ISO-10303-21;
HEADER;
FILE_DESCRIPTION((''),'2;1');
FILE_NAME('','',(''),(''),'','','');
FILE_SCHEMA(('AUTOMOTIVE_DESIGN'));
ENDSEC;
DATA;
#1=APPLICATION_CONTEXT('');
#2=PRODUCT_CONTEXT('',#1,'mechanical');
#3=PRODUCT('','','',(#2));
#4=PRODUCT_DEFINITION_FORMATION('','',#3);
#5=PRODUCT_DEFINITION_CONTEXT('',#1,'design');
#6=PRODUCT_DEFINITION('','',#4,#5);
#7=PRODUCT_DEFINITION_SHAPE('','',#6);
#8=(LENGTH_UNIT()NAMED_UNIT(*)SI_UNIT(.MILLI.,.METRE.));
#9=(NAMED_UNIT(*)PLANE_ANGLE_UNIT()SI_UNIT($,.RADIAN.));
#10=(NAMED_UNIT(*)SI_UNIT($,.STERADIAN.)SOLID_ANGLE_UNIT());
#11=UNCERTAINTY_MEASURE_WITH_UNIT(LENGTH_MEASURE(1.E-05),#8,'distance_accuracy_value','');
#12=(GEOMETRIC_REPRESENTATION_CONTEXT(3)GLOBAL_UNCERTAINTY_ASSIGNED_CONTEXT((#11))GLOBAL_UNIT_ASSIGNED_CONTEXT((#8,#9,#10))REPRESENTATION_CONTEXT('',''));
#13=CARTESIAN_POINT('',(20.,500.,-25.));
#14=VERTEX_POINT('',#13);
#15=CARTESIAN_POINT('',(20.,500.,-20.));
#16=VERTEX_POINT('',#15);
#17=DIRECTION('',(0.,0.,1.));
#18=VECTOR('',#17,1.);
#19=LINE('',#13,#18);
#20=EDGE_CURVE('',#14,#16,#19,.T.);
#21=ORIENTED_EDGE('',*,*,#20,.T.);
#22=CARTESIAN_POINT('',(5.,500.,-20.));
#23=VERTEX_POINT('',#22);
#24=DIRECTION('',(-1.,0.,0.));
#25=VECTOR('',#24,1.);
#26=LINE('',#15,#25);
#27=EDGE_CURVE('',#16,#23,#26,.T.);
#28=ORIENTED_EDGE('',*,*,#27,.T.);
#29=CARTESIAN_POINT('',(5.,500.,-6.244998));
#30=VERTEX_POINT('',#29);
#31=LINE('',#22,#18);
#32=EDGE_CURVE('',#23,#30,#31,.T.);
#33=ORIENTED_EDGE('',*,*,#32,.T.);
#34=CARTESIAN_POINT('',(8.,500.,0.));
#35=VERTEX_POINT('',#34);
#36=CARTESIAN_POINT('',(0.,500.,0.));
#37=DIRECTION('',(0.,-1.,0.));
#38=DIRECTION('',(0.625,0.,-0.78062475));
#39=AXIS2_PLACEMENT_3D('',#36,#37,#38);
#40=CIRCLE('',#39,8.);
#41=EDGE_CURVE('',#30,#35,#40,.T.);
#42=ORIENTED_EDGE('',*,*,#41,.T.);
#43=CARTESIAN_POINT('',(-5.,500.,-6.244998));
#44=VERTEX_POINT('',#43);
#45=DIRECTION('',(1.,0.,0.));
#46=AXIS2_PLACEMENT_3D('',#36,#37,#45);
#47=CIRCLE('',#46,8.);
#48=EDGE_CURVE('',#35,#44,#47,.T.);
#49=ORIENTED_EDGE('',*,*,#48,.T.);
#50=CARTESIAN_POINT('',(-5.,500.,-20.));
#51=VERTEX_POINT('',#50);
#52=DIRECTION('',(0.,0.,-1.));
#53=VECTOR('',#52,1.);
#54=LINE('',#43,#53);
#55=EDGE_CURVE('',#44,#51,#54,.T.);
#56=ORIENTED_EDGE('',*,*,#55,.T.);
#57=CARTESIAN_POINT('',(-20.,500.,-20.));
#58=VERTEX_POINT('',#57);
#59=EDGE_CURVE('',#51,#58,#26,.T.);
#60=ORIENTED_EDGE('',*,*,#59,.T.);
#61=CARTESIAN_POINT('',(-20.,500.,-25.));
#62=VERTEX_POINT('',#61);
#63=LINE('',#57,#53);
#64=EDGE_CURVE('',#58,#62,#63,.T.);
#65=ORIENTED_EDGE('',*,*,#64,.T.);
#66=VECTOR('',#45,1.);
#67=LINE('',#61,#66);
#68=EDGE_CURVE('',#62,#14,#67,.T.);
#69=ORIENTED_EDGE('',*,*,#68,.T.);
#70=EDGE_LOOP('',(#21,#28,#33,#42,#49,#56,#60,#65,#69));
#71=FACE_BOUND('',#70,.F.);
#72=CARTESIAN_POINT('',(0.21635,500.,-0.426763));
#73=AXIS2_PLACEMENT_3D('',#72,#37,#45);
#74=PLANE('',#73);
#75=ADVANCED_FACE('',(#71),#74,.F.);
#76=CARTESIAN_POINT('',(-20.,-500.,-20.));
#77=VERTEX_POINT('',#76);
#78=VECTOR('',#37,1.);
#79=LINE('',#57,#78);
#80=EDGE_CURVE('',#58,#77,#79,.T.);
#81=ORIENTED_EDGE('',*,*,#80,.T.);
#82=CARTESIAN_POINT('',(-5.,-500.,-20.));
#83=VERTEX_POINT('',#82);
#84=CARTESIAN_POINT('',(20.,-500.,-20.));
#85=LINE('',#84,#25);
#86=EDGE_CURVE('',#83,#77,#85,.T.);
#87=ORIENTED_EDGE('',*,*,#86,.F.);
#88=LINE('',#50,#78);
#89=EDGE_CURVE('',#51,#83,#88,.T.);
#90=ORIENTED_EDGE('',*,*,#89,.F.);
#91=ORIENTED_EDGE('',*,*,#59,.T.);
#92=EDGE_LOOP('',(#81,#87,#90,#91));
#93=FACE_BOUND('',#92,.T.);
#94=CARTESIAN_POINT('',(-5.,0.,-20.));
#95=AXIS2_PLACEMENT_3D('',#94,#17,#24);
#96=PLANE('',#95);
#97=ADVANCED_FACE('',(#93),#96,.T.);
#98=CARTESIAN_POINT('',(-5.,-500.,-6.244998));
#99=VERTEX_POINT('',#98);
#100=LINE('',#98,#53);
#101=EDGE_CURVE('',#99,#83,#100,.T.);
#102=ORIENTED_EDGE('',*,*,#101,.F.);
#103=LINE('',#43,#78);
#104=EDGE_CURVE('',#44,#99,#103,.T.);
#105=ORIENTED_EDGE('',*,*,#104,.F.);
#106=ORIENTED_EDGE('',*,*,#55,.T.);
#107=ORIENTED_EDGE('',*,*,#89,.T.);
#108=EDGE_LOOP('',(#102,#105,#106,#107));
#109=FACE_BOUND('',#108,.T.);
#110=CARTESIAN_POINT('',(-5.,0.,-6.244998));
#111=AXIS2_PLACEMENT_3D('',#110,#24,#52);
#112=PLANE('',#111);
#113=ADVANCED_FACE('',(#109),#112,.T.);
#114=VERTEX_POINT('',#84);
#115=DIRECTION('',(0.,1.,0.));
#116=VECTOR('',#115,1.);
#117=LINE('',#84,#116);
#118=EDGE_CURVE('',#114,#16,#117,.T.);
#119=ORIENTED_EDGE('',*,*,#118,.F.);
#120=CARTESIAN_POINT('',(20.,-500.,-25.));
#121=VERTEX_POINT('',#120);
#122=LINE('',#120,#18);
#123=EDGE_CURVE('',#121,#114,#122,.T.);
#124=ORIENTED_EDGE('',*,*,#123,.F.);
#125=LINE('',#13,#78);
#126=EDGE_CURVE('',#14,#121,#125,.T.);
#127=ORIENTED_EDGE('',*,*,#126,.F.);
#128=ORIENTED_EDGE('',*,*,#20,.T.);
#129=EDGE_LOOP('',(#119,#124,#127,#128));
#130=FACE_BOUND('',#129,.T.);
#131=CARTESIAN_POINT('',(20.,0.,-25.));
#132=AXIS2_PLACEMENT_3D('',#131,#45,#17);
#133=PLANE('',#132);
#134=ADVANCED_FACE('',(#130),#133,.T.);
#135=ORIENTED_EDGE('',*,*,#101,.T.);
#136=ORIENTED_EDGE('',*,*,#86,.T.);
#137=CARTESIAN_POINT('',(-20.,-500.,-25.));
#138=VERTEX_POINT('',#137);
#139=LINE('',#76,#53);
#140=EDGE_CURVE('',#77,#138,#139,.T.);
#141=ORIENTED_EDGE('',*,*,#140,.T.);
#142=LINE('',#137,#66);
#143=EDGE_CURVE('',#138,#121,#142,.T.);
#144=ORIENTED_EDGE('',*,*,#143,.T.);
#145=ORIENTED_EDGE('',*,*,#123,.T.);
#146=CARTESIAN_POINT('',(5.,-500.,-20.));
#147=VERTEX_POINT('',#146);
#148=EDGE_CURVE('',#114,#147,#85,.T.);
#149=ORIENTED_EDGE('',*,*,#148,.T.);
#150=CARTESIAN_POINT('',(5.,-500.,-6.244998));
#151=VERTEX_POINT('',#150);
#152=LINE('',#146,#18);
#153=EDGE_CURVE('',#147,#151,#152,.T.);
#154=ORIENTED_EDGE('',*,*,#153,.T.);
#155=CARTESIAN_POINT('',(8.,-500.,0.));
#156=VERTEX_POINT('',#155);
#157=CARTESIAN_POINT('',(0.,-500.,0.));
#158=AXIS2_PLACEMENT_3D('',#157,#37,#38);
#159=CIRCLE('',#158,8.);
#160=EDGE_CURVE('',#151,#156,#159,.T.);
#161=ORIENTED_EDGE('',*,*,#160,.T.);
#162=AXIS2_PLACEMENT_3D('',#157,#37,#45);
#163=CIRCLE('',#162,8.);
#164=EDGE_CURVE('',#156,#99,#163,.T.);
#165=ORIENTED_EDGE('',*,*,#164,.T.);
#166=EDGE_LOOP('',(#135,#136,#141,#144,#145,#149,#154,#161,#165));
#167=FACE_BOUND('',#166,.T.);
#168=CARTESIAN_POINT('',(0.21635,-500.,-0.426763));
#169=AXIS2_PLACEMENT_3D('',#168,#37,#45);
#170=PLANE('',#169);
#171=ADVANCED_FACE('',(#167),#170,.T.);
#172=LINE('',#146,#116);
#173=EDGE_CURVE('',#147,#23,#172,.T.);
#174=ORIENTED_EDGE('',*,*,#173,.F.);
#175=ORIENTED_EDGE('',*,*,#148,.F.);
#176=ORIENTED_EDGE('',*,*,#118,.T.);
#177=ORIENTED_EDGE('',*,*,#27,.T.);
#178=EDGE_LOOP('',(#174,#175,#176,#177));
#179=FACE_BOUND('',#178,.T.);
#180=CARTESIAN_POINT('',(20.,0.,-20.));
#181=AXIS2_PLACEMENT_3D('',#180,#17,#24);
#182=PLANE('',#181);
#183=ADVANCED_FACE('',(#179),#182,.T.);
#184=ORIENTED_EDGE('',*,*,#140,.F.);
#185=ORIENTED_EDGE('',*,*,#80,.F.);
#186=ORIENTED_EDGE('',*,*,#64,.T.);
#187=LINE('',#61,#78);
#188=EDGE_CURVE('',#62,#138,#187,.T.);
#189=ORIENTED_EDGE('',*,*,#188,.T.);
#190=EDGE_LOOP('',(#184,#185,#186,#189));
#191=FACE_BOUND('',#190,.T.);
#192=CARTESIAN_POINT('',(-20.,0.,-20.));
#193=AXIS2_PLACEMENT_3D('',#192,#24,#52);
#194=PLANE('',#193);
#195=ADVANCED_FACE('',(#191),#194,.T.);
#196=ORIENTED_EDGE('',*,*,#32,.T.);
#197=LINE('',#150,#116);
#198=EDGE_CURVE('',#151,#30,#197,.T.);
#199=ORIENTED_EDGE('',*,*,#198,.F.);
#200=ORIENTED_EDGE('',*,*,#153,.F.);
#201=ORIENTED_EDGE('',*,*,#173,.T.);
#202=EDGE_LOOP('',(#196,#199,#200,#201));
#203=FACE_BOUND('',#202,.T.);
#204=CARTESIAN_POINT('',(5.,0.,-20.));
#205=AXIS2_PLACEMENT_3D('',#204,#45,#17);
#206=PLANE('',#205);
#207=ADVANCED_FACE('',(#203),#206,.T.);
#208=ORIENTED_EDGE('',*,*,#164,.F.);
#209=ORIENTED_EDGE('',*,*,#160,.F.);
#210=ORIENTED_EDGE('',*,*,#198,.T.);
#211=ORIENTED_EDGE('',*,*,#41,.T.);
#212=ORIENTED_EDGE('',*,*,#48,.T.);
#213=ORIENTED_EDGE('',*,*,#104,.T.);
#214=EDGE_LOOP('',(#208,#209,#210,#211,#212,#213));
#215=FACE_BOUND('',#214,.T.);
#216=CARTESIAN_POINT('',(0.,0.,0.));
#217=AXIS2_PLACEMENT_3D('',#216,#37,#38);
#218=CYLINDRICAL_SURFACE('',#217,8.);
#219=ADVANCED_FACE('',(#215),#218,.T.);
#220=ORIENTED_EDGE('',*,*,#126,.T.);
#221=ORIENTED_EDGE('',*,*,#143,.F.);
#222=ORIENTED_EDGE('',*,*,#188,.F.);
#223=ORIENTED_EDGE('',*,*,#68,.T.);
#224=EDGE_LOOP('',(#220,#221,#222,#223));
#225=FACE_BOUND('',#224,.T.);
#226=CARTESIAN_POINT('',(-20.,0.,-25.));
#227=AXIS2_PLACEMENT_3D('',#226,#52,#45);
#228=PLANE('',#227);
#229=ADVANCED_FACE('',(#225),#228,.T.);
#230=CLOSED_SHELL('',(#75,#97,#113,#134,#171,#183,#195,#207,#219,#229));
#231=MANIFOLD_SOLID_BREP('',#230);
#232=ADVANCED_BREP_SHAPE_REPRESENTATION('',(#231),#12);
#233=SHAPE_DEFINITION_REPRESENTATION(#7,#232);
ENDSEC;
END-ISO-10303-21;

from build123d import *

# Parameters (mm, degrees)
F1_DEPTH = 500


with BuildPart() as f1:
    # F0 (on Front) → F1 (new body, symmetric)
    with BuildSketch(Plane.XZ):
        with BuildLine():
            ThreePointArc((5, -6.2449979984), (7.2111025509, -3.4641016151), (8, 0))
            ThreePointArc((8, 0), (-3.4641016151, 7.2111025509), (-5, -6.2449979984))
            ThreePointArc((-5, -6.2449979984), (0, -8), (5, -6.2449979984))
        make_face()
        Polygon((5, -20), (-5, -20), (-20, -20), (-20, -25), (0, -25), (20, -25), (20, -20), align=None)
        with BuildLine():
            ThreePointArc((5, -6.2449979984), (0, -8), (-5, -6.2449979984))
            Line((-5, -6.2449979984), (-5, -20))
            Line((-5, -20), (5, -20))
            Line((5, -20), (5, -6.2449979984))
        make_face()
    extrude(amount=F1_DEPTH, both=True)


solid = f1.part
